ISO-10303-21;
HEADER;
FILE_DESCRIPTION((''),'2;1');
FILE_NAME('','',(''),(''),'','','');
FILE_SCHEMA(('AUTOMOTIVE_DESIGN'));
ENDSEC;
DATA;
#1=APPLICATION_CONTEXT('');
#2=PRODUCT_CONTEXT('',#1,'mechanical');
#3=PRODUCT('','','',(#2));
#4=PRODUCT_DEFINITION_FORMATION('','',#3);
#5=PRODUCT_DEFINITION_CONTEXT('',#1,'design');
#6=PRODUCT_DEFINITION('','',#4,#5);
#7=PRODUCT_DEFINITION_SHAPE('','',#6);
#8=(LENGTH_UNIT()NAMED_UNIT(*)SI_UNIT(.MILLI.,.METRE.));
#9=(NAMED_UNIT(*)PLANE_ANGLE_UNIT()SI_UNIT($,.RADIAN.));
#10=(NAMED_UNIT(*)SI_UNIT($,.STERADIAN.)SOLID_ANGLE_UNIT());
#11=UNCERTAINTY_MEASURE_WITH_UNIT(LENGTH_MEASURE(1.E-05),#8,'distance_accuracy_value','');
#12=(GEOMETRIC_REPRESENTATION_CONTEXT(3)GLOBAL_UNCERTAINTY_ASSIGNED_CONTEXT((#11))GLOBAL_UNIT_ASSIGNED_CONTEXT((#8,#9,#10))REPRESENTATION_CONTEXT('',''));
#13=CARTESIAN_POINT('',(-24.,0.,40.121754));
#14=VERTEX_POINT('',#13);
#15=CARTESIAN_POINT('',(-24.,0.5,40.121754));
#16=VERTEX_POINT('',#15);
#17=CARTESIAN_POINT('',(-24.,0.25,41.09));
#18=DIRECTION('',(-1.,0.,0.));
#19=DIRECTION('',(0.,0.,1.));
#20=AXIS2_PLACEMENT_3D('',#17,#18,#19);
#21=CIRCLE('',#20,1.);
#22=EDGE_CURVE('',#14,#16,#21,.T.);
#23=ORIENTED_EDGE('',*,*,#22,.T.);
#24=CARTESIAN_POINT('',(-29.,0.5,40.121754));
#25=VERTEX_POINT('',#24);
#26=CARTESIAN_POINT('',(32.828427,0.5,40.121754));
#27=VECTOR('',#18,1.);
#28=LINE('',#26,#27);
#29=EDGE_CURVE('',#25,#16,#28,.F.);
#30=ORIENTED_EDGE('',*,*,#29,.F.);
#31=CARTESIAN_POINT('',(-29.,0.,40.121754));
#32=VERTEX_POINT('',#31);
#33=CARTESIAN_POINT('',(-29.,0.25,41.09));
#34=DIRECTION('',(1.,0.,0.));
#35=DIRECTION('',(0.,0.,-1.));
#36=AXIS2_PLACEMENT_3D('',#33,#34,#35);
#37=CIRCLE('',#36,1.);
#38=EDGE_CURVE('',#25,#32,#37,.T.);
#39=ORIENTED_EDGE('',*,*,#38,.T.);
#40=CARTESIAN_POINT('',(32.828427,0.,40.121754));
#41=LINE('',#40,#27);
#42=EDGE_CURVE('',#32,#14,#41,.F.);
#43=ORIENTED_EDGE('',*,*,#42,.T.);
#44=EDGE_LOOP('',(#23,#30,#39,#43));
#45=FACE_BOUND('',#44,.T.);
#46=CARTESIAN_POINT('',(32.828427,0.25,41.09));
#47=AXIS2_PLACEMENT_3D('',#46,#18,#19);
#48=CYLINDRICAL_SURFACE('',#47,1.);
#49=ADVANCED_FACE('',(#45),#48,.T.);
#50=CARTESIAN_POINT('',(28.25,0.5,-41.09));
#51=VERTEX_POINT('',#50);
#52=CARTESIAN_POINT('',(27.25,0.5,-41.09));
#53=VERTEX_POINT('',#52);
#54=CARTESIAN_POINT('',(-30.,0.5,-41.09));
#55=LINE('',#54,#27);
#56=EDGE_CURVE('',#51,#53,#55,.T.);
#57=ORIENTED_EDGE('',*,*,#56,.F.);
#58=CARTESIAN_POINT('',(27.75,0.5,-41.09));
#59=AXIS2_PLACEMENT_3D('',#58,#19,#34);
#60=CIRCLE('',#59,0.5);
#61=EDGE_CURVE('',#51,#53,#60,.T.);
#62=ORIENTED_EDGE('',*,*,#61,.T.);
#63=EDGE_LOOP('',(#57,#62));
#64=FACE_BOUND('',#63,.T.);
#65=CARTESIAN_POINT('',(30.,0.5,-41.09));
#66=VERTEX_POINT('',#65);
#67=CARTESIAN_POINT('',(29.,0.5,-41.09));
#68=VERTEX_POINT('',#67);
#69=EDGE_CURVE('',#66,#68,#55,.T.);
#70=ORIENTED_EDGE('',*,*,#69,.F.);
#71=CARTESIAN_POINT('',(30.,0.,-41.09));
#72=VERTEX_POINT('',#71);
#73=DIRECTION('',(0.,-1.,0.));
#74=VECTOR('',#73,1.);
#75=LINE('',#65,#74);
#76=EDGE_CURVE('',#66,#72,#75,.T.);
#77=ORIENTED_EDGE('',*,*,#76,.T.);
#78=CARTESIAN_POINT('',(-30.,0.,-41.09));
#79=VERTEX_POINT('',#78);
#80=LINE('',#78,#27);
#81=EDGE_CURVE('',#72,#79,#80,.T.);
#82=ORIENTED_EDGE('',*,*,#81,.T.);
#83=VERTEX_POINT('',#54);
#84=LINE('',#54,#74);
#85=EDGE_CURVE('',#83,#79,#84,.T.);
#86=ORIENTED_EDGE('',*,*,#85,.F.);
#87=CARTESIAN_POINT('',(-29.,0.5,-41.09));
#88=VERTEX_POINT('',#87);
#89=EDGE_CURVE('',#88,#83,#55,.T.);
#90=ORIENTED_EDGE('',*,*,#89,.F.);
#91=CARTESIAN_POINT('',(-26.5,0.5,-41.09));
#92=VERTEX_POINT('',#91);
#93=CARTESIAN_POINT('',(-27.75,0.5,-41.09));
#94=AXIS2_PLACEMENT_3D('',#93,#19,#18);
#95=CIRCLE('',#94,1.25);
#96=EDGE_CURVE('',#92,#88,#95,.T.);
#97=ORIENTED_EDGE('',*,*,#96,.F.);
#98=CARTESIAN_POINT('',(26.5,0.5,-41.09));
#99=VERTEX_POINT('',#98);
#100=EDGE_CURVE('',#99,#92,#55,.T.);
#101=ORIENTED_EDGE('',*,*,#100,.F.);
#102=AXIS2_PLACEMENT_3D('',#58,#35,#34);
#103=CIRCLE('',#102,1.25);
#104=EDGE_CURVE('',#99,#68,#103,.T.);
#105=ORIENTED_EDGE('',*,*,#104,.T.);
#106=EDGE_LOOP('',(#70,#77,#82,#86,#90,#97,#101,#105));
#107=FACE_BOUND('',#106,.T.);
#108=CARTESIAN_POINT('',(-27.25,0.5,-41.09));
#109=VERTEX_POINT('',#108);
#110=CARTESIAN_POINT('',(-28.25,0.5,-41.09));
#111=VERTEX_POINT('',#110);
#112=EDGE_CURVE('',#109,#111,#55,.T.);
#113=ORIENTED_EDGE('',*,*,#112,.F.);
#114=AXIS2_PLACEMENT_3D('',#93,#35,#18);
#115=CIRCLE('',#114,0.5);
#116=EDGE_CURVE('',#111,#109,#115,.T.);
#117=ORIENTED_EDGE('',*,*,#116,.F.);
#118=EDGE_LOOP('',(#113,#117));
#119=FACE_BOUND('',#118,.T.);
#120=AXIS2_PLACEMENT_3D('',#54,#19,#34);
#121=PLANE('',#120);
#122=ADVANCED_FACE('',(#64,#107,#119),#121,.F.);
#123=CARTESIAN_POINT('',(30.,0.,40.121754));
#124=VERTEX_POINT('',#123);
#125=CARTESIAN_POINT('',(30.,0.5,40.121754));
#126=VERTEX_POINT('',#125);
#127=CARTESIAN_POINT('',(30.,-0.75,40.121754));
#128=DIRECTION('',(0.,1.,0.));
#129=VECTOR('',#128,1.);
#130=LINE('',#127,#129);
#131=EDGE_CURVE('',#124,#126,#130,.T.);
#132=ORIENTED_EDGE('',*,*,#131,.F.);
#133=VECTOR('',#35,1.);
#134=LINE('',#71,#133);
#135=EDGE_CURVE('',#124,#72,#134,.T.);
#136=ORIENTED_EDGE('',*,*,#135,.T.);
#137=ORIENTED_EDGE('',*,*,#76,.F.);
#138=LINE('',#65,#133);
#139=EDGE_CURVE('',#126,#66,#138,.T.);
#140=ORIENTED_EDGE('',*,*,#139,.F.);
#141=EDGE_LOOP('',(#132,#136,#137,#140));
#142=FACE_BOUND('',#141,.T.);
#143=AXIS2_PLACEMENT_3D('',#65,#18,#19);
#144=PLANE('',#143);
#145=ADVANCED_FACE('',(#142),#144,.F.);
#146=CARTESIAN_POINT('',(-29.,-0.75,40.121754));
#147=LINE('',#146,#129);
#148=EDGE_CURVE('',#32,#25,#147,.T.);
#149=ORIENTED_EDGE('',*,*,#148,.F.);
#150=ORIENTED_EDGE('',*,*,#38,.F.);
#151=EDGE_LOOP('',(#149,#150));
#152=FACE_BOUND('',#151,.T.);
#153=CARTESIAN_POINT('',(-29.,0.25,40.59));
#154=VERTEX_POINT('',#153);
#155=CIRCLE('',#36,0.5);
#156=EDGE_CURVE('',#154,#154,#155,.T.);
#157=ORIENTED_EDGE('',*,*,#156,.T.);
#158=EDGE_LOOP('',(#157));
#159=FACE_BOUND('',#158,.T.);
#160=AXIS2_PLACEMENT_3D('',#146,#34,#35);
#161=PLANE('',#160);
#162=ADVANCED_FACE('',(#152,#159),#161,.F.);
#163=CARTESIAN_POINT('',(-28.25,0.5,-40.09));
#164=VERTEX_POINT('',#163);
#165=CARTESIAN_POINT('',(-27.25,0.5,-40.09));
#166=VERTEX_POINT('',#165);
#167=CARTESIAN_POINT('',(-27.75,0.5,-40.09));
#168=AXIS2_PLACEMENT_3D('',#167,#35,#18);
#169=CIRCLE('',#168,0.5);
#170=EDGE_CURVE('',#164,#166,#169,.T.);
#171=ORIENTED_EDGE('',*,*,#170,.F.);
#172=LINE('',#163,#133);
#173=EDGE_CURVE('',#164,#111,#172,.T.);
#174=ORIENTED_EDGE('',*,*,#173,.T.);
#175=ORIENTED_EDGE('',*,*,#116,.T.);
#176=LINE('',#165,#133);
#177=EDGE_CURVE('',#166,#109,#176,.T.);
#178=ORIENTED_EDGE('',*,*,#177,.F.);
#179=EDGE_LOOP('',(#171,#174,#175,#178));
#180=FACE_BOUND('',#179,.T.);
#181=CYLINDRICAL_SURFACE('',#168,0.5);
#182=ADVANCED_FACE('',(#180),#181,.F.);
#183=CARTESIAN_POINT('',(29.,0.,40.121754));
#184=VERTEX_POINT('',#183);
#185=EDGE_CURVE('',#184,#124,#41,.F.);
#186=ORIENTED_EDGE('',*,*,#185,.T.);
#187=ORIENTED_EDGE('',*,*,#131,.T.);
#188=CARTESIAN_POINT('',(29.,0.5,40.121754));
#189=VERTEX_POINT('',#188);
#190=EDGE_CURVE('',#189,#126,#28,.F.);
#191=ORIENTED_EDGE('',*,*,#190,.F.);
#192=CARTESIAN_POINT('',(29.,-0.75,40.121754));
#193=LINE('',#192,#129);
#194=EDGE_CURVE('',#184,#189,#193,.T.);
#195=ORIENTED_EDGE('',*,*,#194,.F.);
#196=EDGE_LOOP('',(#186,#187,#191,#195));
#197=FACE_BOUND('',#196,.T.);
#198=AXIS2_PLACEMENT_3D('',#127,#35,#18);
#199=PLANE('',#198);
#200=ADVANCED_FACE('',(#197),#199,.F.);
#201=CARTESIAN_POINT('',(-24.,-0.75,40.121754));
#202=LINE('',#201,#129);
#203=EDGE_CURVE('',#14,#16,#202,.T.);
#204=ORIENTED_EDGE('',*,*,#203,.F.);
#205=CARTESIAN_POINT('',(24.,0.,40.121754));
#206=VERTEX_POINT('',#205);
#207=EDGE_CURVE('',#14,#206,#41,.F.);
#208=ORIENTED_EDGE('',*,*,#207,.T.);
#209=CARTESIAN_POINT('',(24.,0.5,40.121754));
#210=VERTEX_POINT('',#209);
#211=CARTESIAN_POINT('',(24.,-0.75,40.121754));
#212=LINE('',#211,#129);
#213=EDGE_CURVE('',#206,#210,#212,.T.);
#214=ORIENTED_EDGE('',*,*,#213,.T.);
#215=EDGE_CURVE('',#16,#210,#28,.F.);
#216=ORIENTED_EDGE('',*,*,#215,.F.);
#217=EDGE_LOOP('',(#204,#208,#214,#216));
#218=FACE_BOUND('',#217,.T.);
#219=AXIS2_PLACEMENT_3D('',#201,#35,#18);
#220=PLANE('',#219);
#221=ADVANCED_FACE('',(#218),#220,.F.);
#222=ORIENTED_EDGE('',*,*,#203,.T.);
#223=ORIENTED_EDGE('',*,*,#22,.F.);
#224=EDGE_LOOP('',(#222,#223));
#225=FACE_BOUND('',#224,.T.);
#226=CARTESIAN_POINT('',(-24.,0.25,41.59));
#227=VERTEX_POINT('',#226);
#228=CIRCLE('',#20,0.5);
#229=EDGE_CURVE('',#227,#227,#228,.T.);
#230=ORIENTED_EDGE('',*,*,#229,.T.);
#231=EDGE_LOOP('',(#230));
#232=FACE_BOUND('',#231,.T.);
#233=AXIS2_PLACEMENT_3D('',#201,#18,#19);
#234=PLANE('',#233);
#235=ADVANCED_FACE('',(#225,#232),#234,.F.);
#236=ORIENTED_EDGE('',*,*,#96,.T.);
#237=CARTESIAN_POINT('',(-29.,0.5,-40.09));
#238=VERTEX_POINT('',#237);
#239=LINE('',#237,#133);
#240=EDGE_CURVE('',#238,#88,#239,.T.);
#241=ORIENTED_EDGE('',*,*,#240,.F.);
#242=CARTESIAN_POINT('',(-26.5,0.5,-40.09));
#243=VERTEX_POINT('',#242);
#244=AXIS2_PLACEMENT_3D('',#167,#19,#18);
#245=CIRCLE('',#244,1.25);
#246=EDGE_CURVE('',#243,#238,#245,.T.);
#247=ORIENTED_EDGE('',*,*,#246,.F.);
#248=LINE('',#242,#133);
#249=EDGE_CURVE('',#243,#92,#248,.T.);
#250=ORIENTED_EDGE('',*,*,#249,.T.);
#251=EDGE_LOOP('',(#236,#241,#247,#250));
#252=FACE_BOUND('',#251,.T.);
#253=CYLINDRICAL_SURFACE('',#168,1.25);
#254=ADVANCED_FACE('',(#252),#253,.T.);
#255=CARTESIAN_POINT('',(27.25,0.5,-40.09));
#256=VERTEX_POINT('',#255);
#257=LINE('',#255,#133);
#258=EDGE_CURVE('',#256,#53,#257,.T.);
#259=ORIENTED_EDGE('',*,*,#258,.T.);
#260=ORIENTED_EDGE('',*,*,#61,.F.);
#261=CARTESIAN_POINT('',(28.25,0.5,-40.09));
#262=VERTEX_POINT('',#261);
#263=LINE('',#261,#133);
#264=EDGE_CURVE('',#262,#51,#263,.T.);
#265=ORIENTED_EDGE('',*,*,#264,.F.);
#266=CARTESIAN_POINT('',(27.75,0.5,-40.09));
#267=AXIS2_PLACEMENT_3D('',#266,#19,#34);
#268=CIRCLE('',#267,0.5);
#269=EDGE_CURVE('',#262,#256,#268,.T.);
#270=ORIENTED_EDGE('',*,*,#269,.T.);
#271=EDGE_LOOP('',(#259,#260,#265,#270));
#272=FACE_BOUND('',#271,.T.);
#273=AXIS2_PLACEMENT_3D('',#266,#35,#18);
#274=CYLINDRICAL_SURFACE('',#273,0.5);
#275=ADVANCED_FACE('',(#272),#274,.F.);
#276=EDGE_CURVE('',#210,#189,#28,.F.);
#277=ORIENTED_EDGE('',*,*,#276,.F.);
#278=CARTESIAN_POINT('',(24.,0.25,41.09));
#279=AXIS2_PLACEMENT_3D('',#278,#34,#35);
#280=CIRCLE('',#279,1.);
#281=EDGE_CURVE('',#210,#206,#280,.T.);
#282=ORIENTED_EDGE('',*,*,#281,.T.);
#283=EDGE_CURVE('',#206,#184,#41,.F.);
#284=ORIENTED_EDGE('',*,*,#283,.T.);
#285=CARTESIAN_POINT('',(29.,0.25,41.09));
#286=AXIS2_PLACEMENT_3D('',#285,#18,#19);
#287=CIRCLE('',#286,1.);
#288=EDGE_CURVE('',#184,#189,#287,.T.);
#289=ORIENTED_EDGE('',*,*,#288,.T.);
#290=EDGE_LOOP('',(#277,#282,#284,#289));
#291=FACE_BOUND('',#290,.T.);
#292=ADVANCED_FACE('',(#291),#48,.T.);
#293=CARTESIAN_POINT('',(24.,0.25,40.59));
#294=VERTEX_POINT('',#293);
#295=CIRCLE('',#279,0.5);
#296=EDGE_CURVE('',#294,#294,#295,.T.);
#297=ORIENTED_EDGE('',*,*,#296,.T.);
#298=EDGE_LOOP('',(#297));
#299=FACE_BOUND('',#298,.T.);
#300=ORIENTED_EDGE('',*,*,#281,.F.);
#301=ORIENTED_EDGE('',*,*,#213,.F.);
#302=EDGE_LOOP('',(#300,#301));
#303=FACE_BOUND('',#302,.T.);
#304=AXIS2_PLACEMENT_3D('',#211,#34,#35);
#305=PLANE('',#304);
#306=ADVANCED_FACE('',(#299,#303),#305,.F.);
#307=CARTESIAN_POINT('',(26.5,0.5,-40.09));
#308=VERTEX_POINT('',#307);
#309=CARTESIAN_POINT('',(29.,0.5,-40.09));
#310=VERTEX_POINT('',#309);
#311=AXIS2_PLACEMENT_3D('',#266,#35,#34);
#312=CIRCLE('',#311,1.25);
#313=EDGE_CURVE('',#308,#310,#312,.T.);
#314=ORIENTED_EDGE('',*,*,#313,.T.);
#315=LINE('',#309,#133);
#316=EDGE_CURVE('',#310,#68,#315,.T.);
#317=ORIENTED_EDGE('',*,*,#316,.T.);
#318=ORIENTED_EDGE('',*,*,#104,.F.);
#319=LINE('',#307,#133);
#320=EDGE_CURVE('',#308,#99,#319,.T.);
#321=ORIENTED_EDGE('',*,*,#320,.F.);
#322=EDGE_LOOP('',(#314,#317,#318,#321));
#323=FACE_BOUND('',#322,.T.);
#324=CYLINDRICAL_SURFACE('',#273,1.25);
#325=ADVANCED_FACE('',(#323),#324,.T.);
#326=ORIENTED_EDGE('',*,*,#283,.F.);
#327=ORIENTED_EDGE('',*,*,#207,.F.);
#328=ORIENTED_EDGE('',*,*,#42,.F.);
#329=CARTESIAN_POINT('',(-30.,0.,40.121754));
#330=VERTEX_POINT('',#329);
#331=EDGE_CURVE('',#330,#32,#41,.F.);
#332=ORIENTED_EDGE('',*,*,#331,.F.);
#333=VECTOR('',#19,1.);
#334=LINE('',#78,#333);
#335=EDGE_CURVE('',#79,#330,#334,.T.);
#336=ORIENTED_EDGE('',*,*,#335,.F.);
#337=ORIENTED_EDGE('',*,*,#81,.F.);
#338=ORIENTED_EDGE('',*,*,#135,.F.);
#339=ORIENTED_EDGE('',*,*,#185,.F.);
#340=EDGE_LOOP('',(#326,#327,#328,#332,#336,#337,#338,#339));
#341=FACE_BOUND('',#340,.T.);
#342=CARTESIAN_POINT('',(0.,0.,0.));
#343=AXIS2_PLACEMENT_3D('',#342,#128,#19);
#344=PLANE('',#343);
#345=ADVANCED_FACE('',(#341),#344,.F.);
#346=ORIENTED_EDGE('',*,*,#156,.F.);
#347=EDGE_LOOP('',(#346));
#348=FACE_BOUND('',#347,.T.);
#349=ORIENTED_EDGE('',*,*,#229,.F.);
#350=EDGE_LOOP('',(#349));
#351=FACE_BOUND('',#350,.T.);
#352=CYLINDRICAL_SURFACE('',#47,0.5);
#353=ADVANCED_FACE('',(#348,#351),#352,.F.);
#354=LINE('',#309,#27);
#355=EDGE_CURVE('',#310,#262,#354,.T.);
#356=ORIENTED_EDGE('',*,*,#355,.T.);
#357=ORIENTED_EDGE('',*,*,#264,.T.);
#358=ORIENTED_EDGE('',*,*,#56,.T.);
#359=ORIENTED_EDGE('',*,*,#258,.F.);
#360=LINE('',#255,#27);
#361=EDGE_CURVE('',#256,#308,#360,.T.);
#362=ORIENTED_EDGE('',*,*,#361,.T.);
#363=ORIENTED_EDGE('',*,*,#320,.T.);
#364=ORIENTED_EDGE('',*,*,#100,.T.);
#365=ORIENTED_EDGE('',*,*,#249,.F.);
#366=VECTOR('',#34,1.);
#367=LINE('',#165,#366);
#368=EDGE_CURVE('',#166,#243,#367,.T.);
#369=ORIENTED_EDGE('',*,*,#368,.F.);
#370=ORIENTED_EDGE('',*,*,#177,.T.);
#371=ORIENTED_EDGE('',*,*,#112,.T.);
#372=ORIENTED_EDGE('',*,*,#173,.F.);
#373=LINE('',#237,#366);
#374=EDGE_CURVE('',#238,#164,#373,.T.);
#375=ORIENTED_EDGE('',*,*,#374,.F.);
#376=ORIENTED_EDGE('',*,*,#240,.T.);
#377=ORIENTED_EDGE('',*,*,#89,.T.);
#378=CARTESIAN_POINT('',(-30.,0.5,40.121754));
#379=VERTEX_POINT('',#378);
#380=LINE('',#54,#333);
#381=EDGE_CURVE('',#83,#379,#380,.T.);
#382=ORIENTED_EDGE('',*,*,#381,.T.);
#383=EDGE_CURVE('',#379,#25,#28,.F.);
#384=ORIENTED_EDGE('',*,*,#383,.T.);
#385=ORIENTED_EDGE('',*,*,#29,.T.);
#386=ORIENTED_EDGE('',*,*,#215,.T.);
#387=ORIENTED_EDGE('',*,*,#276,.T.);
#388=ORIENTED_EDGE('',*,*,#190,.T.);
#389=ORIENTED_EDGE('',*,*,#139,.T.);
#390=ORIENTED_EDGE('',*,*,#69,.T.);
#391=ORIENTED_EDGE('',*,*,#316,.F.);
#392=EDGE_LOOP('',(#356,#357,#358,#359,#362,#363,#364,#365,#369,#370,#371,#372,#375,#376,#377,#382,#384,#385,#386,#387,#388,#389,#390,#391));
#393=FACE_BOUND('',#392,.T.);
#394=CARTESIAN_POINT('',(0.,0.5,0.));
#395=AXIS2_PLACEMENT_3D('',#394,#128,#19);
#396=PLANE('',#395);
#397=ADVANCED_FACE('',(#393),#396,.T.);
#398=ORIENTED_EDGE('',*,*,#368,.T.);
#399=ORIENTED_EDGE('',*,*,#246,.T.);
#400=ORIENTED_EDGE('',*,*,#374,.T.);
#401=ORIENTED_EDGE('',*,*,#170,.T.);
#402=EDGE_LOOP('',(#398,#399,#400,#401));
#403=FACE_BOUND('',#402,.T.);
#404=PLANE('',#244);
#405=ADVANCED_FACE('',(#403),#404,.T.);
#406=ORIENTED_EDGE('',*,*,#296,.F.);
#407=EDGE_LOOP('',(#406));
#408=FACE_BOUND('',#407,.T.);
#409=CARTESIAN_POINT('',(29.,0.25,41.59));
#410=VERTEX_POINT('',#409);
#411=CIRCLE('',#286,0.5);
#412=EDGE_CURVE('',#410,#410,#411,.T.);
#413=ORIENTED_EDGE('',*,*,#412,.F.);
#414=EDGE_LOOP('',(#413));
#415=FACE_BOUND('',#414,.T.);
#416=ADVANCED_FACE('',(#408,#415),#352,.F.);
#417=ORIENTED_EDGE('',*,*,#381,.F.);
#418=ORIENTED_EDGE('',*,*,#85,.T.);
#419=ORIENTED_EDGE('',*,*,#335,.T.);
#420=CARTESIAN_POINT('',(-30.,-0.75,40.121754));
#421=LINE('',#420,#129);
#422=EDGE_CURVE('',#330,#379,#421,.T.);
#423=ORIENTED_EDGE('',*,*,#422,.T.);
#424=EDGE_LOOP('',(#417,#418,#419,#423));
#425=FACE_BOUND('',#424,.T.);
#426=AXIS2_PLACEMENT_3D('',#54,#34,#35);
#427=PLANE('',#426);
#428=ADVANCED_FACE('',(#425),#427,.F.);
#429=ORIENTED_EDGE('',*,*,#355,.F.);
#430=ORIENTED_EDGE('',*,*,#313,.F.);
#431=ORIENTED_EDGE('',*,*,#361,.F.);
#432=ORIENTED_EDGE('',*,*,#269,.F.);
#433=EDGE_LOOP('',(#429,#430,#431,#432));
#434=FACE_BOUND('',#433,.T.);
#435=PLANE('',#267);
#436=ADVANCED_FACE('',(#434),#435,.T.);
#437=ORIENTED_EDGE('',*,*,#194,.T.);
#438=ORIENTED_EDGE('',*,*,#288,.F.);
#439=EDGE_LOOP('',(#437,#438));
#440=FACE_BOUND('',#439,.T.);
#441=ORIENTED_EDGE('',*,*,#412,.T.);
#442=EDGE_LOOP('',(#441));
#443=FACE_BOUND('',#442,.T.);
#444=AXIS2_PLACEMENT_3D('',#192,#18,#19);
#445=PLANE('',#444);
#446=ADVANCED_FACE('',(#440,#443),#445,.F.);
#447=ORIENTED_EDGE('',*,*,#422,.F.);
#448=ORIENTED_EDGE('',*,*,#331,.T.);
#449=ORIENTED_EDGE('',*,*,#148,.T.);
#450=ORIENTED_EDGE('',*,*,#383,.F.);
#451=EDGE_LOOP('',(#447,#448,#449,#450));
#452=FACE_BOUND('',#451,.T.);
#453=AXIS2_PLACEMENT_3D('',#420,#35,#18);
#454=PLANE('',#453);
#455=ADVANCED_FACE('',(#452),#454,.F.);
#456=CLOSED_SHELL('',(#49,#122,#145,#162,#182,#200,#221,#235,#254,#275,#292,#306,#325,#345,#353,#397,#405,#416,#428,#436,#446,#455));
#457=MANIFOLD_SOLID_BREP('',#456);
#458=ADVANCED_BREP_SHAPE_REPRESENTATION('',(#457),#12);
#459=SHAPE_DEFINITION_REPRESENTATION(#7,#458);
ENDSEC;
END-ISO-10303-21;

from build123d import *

# Parameters (mm, degrees)
SKETCH1_W                       = 60
SKETCH1_H                       = 82.18
BOSS_EXTRUDE1_DEPTH             = 0.5
BOSS_EXTRUDE2_REACH             = 32
SKETCH3_R                       = 1
SKETCH3_R_2                     = 0.5
BOSS_EXTRUDE2_DIRECTION_2_REACH = 32
SKETCH4_R                       = 0.5
CUT_EXTRUDE1_DEPTH              = 61
SKETCH5_W                       = 48
SKETCH5_H                       = 1.968245837
SKETCH5_W_2                     = 1
CUT_EXTRUDE2_DEPTH              = 1.75
CUT_EXTRUDE2_DEPTH_BACK         = 2.25
BOSS_EXTRUDE3_DEPTH             = 1


with BuildPart() as part:
    # Sketch1 → Boss-Extrude1 (new body)
    with BuildSketch(Plane(origin=(0, 0, 0), x_dir=(1, 0, 0), z_dir=(0, 1, 0))):
        Rectangle(SKETCH1_W, SKETCH1_H)
    extrude(amount=BOSS_EXTRUDE1_DEPTH)

    # Boss-Extrude2: up to this face of the body (flat: up to its plane)
    boss_extrude2_end = Plane(part.part.faces().sort_by_distance((30, 0.25, 0))[0])
    # Sketch3 → Boss-Extrude2 (add, up to the picked face)
    with BuildSketch(Plane(origin=(0, 0, 0), x_dir=(0, 0, -1), z_dir=(1, 0, 0)), mode=Mode.PRIVATE) as boss_extrude2_sk1:
        with Locations((-41.09, 0.25)):
            Circle(SKETCH3_R)
        with Locations((-41.09, 0.25)):
            Circle(SKETCH3_R_2, mode=Mode.SUBTRACT)
    boss_extrude2_tool1 = split(extrude(boss_extrude2_sk1.sketch, amount=BOSS_EXTRUDE2_REACH, mode=Mode.PRIVATE), bisect_by=boss_extrude2_end, keep=Keep.BOTH, mode=Mode.PRIVATE)
    add(boss_extrude2_tool1.solids().sort_by_distance((0, 0.25, 42.061716))[0])

    # Boss-Extrude2 direction 2: up to this face of the body (flat: up to its plane)
    boss_extrude2_direction_2_end = Plane(part.part.faces().sort_by_distance((-30, 0.25, 0))[0])
    # Sketch3 → Boss-Extrude2 direction 2 (add, up to the picked face)
    with BuildSketch(Plane(origin=(0, 0, 0), x_dir=(0, 0, -1), z_dir=(1, 0, 0)), mode=Mode.PRIVATE) as boss_extrude2_direction_2_sk1:
        with Locations((-41.09, 0.25)):
            Circle(SKETCH3_R)
        with Locations((-41.09, 0.25)):
            Circle(SKETCH3_R_2, mode=Mode.SUBTRACT)
    boss_extrude2_direction_2_tool1 = split(extrude(boss_extrude2_direction_2_sk1.sketch, amount=-BOSS_EXTRUDE2_DIRECTION_2_REACH, mode=Mode.PRIVATE), bisect_by=boss_extrude2_direction_2_end, keep=Keep.BOTH, mode=Mode.PRIVATE)
    add(boss_extrude2_direction_2_tool1.solids().sort_by_distance((0, 0.25, 42.061716))[0])

    # Sketch4 → Cut-Extrude1 (cut, through all)
    with BuildSketch(Plane.ZY.offset(30)):
        with Locations((41.09, 0.25)):
            Circle(SKETCH4_R)
    extrude(amount=-CUT_EXTRUDE1_DEPTH, mode=Mode.SUBTRACT)

    # Sketch5 → Cut-Extrude2 (cut, two sides)
    with BuildSketch(Plane(origin=(0, 0.5, 0), x_dir=(1, 0, 0), z_dir=(0, 1, 0))) as cut_extrude2_sk:
        with Locations((0, -41.105877082)):
            Rectangle(SKETCH5_W, SKETCH5_H)
        with Locations((-29.5, -41.105877082)):
            Rectangle(SKETCH5_W_2, SKETCH5_H)
        with Locations((29.5, -41.105877082)):
            Rectangle(SKETCH5_W_2, SKETCH5_H)
    extrude(amount=CUT_EXTRUDE2_DEPTH, mode=Mode.SUBTRACT)
    extrude(cut_extrude2_sk.sketch, amount=-CUT_EXTRUDE2_DEPTH_BACK, mode=Mode.SUBTRACT)

    # Sketch7 → Boss-Extrude3 (add)
    with BuildSketch(Plane(origin=(0, 0, -41.09), x_dir=(-1, 0, 0), z_dir=(0, 0, -1))):
        with BuildLine():
            Line((-29, 0.5), (-28.25, 0.5))
            ThreePointArc((-28.25, 0.5), (-27.75, 1), (-27.25, 0.5))
            Line((-27.25, 0.5), (-26.5, 0.5))
            ThreePointArc((-26.5, 0.5), (-27.75, 1.75), (-29, 0.5))
        make_face()
    boss_extrude3 = extrude(amount=-BOSS_EXTRUDE3_DEPTH)

    # Mirror1: Boss-Extrude3 across plane
    add(boss_extrude3.mirror(Plane(origin=(0, 0, 0), x_dir=(0, 0, 1), z_dir=(1, 0, 0))))


solid = part.part
